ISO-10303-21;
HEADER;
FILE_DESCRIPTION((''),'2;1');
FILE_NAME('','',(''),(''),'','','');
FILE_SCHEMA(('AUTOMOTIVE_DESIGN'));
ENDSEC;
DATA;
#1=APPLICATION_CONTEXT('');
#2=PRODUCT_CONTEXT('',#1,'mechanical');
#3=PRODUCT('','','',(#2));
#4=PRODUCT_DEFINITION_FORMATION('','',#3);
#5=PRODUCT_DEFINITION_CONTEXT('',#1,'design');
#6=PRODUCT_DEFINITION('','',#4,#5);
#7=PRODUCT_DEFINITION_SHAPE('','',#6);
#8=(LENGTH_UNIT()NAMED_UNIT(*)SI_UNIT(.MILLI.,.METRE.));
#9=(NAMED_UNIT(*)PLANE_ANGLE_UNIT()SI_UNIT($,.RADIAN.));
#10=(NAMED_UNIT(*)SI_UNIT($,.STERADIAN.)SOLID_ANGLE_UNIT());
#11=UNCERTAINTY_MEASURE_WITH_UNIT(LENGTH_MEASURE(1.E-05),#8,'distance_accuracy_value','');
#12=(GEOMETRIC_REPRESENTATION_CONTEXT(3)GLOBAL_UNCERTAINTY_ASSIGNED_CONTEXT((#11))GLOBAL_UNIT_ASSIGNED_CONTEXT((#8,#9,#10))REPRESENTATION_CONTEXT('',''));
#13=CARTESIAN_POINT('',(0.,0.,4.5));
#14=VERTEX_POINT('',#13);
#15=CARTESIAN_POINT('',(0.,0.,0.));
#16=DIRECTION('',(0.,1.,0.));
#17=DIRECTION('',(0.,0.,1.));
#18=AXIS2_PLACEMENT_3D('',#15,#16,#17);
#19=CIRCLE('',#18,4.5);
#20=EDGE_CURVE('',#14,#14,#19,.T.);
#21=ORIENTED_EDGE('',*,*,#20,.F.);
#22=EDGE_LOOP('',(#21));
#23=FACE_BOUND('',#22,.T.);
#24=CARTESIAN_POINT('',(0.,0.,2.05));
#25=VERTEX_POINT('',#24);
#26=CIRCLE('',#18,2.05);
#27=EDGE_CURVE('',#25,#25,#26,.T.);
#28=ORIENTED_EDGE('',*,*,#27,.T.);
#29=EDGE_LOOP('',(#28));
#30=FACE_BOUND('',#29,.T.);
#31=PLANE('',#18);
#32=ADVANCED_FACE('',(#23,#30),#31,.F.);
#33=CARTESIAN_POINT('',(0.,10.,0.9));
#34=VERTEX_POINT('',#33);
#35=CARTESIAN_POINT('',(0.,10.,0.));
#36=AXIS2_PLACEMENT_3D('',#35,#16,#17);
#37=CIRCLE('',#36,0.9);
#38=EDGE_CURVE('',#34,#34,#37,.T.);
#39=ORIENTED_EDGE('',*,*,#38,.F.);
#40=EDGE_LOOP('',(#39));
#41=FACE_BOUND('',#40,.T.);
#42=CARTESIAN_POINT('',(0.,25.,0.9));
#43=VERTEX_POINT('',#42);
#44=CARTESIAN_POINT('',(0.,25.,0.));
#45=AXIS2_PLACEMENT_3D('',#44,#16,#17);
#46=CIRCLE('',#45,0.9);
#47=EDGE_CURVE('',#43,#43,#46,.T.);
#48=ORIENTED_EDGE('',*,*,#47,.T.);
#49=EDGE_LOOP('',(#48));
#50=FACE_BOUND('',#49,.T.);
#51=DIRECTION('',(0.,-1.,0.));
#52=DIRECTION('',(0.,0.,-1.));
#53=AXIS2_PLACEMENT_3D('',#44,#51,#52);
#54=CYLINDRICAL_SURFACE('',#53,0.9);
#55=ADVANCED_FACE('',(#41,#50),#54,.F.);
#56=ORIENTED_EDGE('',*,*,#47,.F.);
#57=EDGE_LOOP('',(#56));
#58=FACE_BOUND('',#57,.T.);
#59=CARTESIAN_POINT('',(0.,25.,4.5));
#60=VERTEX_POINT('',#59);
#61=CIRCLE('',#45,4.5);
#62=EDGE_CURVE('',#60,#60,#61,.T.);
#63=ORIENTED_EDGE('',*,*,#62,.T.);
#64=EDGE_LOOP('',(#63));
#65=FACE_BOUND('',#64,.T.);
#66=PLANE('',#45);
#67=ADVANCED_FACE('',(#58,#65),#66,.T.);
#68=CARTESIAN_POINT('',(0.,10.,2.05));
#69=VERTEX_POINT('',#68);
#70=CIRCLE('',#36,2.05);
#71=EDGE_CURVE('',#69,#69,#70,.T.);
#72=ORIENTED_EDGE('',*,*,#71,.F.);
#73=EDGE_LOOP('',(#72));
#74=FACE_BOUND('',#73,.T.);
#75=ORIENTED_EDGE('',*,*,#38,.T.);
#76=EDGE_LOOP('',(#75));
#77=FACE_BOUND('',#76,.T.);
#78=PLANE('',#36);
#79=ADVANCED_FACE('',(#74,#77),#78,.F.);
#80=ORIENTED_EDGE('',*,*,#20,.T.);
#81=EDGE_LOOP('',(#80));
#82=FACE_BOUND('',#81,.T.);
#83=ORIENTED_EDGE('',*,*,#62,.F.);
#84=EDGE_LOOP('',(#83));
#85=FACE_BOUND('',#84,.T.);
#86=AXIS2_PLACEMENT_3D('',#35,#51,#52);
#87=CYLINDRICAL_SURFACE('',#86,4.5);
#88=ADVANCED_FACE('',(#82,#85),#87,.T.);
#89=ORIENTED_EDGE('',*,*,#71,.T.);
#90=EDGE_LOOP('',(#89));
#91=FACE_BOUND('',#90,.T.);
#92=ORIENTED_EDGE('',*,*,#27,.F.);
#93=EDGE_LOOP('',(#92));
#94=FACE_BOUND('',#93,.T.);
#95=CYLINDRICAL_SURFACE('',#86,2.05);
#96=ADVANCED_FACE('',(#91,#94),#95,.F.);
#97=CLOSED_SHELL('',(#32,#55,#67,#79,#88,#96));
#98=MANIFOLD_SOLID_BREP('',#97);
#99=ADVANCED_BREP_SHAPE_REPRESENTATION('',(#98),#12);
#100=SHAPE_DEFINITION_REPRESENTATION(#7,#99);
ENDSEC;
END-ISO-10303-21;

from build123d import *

# Parameters (mm, degrees)
SKETCH1_R           = 4.5
SKETCH1_R_2         = 2.05
BOSS_EXTRUDE1_DEPTH = 10
SKETCH3_R           = 4.5
SKETCH3_R_2         = 0.9
BOSS_EXTRUDE3_DEPTH = 15


with BuildPart() as part:
    # Sketch1 → Boss-Extrude1 (new body)
    with BuildSketch(Plane(origin=(0, 0, 0), x_dir=(1, 0, 0), z_dir=(0, 1, 0))):
        with Locations(Location((0, 0, 0), (0, 0, 270))):
            Circle(SKETCH1_R)
        with Locations(Location((0, 0, 0), (0, 0, 270))):
            Circle(SKETCH1_R_2, mode=Mode.SUBTRACT)
    extrude(amount=BOSS_EXTRUDE1_DEPTH)

    # Sketch3 → Boss-Extrude3 (add)
    with BuildSketch(Plane(origin=(0, 10, 0), x_dir=(1, 0, 0), z_dir=(0, 1, 0))):
        with Locations(Location((0, 0, 0), (0, 0, 270))):
            Circle(SKETCH3_R)
        with Locations(Location((0, 0, 0), (0, 0, 270))):
            Circle(SKETCH3_R_2, mode=Mode.SUBTRACT)
    extrude(amount=BOSS_EXTRUDE3_DEPTH)


solid = part.part
